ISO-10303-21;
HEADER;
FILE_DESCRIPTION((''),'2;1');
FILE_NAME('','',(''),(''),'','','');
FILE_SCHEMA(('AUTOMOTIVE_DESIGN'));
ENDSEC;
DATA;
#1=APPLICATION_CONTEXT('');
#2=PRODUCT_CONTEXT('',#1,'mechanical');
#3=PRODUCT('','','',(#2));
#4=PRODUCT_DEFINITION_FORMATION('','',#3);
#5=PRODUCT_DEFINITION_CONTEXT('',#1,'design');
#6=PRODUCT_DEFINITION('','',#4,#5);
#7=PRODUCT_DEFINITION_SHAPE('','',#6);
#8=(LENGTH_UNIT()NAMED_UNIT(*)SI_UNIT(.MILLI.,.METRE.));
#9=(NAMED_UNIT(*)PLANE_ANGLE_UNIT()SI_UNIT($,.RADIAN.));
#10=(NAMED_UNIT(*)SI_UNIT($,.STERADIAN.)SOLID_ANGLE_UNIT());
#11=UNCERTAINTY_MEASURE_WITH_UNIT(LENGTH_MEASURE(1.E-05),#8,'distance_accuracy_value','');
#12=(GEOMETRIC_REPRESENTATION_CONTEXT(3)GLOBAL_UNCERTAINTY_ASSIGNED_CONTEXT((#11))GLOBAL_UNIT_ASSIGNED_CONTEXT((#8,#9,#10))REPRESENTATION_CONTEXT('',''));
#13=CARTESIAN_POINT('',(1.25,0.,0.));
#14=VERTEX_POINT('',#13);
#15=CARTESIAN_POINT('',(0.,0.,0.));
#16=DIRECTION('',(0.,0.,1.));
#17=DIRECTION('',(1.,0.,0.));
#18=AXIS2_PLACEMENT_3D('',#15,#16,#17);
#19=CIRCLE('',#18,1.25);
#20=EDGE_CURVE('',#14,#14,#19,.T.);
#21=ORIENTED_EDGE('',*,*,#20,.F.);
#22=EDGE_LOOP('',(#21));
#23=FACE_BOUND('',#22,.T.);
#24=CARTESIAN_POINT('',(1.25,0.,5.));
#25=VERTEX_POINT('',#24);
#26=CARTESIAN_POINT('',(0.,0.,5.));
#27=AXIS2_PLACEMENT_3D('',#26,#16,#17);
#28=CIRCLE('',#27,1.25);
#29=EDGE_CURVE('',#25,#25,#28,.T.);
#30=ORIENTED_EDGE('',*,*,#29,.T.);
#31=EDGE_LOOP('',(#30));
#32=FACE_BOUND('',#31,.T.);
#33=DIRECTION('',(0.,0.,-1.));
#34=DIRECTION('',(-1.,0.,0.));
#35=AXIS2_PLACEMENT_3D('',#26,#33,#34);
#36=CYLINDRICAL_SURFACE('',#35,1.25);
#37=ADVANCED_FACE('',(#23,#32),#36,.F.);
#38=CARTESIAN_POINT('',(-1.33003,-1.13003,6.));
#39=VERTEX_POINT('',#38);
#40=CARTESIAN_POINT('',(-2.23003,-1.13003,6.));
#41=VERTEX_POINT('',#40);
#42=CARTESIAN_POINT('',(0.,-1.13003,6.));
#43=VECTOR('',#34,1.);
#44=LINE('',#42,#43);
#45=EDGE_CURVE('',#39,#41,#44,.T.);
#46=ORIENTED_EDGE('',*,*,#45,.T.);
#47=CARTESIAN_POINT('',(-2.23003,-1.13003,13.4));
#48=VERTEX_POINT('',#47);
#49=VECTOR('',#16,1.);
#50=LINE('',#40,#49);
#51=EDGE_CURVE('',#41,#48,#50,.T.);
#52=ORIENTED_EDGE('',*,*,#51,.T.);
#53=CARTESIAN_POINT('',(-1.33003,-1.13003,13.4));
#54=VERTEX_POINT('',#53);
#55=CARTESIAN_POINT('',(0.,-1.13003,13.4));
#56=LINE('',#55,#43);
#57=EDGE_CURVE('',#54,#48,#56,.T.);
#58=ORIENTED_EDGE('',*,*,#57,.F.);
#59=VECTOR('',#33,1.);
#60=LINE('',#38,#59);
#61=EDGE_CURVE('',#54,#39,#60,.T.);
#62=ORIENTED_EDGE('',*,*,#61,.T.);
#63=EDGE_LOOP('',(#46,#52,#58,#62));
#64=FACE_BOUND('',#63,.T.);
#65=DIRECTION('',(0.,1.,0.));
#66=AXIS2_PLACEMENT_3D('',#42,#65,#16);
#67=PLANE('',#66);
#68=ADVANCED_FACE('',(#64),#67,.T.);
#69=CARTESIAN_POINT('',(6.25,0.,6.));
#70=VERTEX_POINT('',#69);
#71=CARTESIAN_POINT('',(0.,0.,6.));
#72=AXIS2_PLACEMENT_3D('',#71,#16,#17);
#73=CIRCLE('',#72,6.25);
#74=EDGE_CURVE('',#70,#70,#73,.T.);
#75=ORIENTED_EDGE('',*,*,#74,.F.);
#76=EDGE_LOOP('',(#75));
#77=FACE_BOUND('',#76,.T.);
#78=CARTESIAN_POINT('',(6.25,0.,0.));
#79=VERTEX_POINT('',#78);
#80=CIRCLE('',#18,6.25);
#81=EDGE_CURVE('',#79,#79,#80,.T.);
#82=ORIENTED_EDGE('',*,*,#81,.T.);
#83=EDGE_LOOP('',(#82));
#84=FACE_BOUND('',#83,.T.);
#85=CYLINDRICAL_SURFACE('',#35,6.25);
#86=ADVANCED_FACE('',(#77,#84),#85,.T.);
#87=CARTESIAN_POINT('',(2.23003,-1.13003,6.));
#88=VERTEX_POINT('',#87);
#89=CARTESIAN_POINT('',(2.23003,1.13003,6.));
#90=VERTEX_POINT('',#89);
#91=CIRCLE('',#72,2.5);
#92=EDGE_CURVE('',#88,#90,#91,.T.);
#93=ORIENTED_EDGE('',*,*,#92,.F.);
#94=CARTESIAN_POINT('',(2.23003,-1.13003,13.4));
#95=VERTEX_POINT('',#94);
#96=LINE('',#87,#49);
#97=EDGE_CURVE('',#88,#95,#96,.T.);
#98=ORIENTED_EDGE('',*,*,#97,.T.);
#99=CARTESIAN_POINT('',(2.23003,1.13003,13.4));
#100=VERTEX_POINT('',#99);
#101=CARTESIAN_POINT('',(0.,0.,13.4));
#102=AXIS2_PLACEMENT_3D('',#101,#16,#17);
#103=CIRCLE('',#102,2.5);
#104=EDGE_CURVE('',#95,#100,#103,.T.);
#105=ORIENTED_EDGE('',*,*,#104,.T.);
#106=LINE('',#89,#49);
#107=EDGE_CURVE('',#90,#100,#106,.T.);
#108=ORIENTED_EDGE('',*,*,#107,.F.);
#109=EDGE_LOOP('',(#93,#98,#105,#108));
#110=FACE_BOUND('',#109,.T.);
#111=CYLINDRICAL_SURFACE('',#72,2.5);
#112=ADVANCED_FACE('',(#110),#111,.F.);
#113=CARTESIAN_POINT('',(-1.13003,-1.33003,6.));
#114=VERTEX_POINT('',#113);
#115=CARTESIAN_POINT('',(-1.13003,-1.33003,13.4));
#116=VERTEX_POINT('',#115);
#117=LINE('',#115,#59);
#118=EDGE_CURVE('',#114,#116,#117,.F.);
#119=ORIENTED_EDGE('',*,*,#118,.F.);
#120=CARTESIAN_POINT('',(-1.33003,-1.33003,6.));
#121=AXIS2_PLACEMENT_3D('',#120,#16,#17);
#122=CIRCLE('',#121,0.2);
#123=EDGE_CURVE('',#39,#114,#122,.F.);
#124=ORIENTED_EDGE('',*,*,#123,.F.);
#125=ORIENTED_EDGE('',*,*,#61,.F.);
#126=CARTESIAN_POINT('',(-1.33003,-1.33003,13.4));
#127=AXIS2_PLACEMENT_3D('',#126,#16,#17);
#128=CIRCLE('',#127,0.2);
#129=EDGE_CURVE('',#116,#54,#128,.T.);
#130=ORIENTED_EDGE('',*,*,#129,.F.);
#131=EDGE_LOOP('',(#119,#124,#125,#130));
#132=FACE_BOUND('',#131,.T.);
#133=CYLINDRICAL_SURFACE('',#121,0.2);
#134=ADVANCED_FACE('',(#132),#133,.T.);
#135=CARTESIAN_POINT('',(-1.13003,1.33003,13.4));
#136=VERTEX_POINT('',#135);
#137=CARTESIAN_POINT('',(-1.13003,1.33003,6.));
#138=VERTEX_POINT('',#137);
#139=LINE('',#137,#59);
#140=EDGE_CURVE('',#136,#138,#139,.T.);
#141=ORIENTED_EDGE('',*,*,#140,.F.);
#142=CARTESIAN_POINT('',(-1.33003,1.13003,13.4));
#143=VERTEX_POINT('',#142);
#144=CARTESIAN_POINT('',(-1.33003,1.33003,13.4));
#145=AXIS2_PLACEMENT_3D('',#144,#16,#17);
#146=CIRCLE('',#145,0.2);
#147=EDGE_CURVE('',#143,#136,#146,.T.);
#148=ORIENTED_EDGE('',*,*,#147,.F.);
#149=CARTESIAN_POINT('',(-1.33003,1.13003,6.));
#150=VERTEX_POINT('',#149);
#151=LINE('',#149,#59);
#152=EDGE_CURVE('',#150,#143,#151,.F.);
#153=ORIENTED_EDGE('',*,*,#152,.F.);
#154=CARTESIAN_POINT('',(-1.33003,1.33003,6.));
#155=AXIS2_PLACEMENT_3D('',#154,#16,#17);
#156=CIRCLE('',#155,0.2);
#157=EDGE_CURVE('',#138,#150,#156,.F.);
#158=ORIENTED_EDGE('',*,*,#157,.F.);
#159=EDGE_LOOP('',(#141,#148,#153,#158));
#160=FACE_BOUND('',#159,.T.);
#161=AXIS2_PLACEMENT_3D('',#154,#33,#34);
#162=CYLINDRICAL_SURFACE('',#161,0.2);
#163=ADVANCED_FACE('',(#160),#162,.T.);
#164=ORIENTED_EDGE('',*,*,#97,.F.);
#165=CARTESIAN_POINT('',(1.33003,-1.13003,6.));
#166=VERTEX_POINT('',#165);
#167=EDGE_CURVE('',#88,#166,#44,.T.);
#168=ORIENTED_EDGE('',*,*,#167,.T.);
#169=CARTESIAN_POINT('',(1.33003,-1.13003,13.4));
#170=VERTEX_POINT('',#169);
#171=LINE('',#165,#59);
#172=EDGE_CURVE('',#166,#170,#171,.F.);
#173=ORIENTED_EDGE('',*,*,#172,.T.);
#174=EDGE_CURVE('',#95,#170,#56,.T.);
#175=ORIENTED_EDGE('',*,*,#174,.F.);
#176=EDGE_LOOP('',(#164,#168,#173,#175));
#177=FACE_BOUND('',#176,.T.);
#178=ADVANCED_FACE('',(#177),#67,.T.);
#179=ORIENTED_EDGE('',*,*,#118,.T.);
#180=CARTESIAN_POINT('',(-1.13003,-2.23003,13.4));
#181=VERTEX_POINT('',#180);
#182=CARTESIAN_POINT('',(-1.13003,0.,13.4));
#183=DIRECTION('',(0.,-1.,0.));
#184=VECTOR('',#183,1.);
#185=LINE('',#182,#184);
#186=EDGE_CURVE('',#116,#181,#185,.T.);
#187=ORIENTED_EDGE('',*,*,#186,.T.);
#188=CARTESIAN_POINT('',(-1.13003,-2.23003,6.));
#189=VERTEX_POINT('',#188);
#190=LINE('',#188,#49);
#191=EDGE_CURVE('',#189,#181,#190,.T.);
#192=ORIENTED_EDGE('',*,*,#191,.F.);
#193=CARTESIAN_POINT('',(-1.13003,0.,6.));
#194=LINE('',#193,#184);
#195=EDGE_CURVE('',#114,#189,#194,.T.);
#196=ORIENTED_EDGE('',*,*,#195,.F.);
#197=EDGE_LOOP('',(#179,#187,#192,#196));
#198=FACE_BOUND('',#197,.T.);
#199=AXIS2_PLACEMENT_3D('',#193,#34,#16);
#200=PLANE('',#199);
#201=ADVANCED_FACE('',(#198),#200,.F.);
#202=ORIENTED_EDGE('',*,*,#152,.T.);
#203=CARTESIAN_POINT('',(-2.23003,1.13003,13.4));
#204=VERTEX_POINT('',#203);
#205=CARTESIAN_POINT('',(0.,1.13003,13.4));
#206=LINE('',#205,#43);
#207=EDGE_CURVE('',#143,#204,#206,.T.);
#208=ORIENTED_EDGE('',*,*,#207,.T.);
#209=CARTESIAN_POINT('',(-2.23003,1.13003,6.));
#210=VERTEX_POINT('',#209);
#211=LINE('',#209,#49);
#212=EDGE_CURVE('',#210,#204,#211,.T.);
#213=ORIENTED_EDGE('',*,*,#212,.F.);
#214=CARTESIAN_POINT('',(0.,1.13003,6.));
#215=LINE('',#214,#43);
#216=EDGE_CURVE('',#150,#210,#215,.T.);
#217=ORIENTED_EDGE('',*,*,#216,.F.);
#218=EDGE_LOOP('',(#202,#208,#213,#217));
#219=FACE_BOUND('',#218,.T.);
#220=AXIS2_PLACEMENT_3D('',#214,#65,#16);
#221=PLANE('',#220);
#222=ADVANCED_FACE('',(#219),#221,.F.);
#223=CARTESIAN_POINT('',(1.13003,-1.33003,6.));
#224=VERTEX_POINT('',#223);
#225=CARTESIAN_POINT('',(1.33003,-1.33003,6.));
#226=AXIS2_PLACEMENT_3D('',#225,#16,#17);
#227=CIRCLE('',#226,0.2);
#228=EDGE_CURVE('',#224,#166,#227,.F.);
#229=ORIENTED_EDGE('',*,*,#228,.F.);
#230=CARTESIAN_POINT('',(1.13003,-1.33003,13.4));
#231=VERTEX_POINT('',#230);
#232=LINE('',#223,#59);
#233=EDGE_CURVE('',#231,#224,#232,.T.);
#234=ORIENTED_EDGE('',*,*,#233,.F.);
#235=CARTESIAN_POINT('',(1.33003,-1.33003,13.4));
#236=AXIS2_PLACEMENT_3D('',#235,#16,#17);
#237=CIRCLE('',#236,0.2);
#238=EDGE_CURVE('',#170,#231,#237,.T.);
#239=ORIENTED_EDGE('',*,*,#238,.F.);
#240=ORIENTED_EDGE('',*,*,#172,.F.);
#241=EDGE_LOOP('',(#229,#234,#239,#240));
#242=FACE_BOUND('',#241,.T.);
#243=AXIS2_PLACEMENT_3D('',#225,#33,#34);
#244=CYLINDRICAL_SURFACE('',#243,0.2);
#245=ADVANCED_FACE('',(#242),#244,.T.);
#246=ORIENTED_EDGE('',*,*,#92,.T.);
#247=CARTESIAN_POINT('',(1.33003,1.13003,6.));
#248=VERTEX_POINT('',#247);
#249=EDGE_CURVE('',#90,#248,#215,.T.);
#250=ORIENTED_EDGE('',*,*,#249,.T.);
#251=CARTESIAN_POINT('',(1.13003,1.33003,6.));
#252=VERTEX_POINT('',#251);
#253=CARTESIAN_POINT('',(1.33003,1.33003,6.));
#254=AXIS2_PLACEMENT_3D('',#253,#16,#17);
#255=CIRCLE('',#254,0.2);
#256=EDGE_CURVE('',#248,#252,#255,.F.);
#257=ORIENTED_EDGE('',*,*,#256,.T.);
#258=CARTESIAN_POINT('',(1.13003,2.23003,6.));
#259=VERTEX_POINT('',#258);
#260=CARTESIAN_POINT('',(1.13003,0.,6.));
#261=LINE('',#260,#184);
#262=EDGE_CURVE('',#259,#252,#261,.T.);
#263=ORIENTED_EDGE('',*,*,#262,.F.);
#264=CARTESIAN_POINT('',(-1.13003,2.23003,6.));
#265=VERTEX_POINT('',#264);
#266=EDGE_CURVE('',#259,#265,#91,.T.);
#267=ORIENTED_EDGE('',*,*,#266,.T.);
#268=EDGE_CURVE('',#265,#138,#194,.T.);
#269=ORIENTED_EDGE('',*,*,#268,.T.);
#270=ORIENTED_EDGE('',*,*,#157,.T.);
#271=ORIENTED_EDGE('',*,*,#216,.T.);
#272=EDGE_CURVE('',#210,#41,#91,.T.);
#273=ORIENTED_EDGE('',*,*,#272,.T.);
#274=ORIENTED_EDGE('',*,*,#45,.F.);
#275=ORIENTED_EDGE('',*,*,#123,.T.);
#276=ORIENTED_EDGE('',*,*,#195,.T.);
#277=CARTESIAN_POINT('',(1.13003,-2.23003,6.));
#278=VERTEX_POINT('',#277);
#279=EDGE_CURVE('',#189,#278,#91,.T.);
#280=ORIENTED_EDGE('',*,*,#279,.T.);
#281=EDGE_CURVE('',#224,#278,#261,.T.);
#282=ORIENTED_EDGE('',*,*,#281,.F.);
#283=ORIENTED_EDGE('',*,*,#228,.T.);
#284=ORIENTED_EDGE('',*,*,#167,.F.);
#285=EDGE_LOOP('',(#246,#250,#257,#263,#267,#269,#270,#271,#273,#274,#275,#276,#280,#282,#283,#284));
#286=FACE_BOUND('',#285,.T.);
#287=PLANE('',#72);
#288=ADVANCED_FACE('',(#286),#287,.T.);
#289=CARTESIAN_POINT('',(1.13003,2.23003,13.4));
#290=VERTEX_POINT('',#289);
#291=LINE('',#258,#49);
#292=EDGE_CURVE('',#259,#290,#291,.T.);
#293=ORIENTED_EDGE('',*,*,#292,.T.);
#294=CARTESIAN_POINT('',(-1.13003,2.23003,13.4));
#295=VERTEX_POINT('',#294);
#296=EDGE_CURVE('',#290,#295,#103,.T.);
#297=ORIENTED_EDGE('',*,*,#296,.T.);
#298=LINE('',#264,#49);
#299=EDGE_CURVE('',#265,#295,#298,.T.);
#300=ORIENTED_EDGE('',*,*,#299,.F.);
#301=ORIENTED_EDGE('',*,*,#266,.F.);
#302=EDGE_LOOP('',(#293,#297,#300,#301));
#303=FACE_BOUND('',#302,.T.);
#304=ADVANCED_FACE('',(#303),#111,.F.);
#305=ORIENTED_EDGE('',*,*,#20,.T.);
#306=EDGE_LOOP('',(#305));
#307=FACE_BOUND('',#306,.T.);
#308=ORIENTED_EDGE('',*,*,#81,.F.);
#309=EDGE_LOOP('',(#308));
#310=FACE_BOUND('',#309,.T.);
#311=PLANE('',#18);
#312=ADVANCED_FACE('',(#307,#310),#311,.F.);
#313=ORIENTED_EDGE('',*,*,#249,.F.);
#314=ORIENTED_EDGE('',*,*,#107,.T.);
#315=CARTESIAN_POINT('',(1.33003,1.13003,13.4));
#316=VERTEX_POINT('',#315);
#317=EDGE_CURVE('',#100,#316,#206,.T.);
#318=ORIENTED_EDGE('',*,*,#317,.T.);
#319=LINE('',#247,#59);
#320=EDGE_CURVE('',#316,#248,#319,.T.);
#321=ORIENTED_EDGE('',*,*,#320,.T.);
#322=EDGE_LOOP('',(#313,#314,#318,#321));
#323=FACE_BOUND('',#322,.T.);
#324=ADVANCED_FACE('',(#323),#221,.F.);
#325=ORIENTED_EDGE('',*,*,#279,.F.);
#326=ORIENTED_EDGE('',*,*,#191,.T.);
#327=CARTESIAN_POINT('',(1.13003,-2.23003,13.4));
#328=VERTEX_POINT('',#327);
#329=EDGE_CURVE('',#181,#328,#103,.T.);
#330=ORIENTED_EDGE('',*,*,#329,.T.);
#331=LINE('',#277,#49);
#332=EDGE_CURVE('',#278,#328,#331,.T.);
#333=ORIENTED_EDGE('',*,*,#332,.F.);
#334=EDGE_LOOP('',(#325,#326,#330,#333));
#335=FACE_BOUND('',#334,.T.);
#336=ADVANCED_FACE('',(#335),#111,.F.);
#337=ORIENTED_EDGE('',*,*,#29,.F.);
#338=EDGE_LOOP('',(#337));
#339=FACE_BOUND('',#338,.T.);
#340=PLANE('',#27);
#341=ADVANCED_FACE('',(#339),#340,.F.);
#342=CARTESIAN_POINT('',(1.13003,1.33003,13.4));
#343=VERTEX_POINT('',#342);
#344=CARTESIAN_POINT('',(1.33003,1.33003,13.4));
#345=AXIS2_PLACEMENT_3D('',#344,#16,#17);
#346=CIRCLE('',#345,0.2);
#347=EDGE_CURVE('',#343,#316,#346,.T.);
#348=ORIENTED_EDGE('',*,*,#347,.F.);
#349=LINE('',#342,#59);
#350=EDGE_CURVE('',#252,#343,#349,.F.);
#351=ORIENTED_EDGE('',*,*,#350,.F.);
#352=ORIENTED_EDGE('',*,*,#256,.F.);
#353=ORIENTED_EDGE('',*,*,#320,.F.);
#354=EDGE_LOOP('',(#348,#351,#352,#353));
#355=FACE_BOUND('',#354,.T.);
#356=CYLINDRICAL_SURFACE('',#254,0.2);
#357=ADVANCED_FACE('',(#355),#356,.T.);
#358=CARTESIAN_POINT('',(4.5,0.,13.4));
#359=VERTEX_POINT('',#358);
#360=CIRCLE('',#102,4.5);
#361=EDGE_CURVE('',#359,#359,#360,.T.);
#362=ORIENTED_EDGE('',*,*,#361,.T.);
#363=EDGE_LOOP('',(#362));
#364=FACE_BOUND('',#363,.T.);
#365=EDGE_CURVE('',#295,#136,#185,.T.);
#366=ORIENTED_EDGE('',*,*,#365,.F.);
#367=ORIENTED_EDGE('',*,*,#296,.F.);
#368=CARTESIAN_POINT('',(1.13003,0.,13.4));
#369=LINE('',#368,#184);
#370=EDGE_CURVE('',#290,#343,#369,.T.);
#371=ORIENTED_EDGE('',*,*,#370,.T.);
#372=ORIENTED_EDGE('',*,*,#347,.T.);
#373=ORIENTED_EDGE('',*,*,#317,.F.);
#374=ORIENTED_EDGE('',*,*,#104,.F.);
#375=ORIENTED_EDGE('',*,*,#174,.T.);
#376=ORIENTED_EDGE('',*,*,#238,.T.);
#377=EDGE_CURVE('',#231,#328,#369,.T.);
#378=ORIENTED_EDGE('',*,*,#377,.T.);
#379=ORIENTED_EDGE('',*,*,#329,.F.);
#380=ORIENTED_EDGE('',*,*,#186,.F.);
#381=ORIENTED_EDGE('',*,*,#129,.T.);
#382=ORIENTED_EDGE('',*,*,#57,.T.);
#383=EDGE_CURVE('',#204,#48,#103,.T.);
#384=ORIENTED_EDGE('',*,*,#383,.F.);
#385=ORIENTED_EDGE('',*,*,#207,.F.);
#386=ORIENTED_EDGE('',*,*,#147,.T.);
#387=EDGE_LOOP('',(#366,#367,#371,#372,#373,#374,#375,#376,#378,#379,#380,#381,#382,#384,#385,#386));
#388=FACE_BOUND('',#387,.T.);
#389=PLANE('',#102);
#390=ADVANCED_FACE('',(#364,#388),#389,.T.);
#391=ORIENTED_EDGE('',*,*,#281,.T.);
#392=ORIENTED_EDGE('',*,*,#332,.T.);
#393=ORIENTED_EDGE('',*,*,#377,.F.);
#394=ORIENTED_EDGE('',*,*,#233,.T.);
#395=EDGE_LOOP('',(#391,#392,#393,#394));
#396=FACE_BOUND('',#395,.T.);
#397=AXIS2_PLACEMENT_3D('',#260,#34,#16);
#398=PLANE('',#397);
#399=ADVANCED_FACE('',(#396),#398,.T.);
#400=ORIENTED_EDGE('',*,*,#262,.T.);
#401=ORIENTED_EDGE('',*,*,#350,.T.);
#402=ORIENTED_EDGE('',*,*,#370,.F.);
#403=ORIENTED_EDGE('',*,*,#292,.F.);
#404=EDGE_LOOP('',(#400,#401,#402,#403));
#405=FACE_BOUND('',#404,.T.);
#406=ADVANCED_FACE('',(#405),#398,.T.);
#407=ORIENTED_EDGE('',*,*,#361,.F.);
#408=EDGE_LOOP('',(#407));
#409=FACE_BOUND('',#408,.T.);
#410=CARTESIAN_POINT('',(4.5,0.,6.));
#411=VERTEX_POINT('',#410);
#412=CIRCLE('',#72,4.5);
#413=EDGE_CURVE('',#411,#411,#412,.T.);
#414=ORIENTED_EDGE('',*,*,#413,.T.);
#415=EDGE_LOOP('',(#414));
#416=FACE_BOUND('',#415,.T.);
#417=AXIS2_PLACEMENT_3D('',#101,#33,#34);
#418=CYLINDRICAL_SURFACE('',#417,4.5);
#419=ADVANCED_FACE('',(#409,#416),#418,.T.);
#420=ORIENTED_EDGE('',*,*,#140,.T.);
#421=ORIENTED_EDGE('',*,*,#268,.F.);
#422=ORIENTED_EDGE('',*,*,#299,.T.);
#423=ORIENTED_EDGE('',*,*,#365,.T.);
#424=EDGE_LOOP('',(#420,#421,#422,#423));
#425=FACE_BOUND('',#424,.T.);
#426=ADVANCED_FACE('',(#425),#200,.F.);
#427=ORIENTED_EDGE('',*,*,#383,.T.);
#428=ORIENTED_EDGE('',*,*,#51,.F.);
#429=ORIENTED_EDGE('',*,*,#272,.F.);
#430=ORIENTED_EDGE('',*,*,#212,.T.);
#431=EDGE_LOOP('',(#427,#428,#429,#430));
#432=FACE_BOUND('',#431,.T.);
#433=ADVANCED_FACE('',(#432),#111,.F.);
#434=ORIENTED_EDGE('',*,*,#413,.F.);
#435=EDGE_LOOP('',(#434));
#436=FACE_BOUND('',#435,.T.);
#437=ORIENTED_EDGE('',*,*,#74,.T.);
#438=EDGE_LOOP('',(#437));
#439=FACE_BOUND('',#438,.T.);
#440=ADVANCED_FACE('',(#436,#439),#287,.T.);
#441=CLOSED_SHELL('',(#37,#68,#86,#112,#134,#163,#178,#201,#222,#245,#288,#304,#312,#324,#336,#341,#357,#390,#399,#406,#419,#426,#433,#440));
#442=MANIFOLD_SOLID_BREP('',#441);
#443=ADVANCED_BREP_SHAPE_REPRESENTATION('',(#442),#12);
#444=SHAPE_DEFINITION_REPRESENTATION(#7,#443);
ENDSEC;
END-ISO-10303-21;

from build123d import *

# Parameters (mm, degrees)
SKETCH_1_R          = 6.25
SKETCH_1_R_2        = 1.25
EXTRUDE_1_DEPTH     = 5
EXTRUDE_START       = 5
SKETCH_1_5_R        = 6.25
EXTRUDE_2_DEPTH     = 1
SKETCH_2_R          = 4.5
EXTRUDE_3_DEPTH     = 7.4
CUT_EXTRUDE_START   = 7.4
CUT_EXTRUDE_1_DEPTH = 7.4
FILLET_1_R          = 0.2


with BuildPart() as part:
    # 草图1 → 凸台-拉伸1 (new body)
    with BuildSketch(Plane.XY):
        Circle(SKETCH_1_R)
        Circle(SKETCH_1_R_2, mode=Mode.SUBTRACT)
    extrude(amount=EXTRUDE_1_DEPTH)

    # 草图1<5> → 凸台-拉伸2 (add)
    with BuildSketch(Plane.XY.offset(EXTRUDE_START)):
        Circle(SKETCH_1_5_R)
    extrude(amount=EXTRUDE_2_DEPTH)

    # 草图2 → 凸台-拉伸3 (add)
    with BuildSketch(Plane.XY.offset(6)):
        Circle(SKETCH_2_R)
    extrude(amount=EXTRUDE_3_DEPTH)

    # 草图2<3> → 切除-拉伸1 (cut)
    with BuildSketch(Plane.XY.offset(6).offset(CUT_EXTRUDE_START)):
        with BuildLine():
            Line((-1.130029762, -1.130029762), (-1.130029762, -2.230029762))
            ThreePointArc((-1.130029762, -2.230029762), (0, -2.5), (1.130029762, -2.230029762))
            Line((1.130029762, -2.230029762), (1.130029762, -1.130029762))
            Line((1.130029762, -1.130029762), (2.230029762, -1.130029762))
            ThreePointArc((2.230029762, -1.130029762), (2.5, 0), (2.230029762, 1.130029762))
            Line((2.230029762, 1.130029762), (1.130029762, 1.130029762))
            Line((1.130029762, 1.130029762), (1.130029762, 2.230029762))
            ThreePointArc((1.130029762, 2.230029762), (0, 2.5), (-1.130029762, 2.230029762))
            Line((-1.130029762, 2.230029762), (-1.130029762, 1.130029762))
            Line((-1.130029762, 1.130029762), (-2.230029762, 1.130029762))
            ThreePointArc((-2.230029762, 1.130029762), (-2.5, 0), (-2.230029762, -1.130029762))
            Line((-2.230029762, -1.130029762), (-1.130029762, -1.130029762))
        make_face()
    extrude(amount=-CUT_EXTRUDE_1_DEPTH, mode=Mode.SUBTRACT)

    # 圆角1
    fillet_1_edges = [part.edges().sort_by_distance(p)[0] for p in [
        (-1.130029762, -1.130029762, 9.7),
        (-1.130029762, 1.130029762, 9.7),
        (1.130029762, 1.130029762, 9.7),
        (1.130029762, -1.130029762, 9.7),
    ]]
    fillet(fillet_1_edges, radius=FILLET_1_R)


solid = part.part
